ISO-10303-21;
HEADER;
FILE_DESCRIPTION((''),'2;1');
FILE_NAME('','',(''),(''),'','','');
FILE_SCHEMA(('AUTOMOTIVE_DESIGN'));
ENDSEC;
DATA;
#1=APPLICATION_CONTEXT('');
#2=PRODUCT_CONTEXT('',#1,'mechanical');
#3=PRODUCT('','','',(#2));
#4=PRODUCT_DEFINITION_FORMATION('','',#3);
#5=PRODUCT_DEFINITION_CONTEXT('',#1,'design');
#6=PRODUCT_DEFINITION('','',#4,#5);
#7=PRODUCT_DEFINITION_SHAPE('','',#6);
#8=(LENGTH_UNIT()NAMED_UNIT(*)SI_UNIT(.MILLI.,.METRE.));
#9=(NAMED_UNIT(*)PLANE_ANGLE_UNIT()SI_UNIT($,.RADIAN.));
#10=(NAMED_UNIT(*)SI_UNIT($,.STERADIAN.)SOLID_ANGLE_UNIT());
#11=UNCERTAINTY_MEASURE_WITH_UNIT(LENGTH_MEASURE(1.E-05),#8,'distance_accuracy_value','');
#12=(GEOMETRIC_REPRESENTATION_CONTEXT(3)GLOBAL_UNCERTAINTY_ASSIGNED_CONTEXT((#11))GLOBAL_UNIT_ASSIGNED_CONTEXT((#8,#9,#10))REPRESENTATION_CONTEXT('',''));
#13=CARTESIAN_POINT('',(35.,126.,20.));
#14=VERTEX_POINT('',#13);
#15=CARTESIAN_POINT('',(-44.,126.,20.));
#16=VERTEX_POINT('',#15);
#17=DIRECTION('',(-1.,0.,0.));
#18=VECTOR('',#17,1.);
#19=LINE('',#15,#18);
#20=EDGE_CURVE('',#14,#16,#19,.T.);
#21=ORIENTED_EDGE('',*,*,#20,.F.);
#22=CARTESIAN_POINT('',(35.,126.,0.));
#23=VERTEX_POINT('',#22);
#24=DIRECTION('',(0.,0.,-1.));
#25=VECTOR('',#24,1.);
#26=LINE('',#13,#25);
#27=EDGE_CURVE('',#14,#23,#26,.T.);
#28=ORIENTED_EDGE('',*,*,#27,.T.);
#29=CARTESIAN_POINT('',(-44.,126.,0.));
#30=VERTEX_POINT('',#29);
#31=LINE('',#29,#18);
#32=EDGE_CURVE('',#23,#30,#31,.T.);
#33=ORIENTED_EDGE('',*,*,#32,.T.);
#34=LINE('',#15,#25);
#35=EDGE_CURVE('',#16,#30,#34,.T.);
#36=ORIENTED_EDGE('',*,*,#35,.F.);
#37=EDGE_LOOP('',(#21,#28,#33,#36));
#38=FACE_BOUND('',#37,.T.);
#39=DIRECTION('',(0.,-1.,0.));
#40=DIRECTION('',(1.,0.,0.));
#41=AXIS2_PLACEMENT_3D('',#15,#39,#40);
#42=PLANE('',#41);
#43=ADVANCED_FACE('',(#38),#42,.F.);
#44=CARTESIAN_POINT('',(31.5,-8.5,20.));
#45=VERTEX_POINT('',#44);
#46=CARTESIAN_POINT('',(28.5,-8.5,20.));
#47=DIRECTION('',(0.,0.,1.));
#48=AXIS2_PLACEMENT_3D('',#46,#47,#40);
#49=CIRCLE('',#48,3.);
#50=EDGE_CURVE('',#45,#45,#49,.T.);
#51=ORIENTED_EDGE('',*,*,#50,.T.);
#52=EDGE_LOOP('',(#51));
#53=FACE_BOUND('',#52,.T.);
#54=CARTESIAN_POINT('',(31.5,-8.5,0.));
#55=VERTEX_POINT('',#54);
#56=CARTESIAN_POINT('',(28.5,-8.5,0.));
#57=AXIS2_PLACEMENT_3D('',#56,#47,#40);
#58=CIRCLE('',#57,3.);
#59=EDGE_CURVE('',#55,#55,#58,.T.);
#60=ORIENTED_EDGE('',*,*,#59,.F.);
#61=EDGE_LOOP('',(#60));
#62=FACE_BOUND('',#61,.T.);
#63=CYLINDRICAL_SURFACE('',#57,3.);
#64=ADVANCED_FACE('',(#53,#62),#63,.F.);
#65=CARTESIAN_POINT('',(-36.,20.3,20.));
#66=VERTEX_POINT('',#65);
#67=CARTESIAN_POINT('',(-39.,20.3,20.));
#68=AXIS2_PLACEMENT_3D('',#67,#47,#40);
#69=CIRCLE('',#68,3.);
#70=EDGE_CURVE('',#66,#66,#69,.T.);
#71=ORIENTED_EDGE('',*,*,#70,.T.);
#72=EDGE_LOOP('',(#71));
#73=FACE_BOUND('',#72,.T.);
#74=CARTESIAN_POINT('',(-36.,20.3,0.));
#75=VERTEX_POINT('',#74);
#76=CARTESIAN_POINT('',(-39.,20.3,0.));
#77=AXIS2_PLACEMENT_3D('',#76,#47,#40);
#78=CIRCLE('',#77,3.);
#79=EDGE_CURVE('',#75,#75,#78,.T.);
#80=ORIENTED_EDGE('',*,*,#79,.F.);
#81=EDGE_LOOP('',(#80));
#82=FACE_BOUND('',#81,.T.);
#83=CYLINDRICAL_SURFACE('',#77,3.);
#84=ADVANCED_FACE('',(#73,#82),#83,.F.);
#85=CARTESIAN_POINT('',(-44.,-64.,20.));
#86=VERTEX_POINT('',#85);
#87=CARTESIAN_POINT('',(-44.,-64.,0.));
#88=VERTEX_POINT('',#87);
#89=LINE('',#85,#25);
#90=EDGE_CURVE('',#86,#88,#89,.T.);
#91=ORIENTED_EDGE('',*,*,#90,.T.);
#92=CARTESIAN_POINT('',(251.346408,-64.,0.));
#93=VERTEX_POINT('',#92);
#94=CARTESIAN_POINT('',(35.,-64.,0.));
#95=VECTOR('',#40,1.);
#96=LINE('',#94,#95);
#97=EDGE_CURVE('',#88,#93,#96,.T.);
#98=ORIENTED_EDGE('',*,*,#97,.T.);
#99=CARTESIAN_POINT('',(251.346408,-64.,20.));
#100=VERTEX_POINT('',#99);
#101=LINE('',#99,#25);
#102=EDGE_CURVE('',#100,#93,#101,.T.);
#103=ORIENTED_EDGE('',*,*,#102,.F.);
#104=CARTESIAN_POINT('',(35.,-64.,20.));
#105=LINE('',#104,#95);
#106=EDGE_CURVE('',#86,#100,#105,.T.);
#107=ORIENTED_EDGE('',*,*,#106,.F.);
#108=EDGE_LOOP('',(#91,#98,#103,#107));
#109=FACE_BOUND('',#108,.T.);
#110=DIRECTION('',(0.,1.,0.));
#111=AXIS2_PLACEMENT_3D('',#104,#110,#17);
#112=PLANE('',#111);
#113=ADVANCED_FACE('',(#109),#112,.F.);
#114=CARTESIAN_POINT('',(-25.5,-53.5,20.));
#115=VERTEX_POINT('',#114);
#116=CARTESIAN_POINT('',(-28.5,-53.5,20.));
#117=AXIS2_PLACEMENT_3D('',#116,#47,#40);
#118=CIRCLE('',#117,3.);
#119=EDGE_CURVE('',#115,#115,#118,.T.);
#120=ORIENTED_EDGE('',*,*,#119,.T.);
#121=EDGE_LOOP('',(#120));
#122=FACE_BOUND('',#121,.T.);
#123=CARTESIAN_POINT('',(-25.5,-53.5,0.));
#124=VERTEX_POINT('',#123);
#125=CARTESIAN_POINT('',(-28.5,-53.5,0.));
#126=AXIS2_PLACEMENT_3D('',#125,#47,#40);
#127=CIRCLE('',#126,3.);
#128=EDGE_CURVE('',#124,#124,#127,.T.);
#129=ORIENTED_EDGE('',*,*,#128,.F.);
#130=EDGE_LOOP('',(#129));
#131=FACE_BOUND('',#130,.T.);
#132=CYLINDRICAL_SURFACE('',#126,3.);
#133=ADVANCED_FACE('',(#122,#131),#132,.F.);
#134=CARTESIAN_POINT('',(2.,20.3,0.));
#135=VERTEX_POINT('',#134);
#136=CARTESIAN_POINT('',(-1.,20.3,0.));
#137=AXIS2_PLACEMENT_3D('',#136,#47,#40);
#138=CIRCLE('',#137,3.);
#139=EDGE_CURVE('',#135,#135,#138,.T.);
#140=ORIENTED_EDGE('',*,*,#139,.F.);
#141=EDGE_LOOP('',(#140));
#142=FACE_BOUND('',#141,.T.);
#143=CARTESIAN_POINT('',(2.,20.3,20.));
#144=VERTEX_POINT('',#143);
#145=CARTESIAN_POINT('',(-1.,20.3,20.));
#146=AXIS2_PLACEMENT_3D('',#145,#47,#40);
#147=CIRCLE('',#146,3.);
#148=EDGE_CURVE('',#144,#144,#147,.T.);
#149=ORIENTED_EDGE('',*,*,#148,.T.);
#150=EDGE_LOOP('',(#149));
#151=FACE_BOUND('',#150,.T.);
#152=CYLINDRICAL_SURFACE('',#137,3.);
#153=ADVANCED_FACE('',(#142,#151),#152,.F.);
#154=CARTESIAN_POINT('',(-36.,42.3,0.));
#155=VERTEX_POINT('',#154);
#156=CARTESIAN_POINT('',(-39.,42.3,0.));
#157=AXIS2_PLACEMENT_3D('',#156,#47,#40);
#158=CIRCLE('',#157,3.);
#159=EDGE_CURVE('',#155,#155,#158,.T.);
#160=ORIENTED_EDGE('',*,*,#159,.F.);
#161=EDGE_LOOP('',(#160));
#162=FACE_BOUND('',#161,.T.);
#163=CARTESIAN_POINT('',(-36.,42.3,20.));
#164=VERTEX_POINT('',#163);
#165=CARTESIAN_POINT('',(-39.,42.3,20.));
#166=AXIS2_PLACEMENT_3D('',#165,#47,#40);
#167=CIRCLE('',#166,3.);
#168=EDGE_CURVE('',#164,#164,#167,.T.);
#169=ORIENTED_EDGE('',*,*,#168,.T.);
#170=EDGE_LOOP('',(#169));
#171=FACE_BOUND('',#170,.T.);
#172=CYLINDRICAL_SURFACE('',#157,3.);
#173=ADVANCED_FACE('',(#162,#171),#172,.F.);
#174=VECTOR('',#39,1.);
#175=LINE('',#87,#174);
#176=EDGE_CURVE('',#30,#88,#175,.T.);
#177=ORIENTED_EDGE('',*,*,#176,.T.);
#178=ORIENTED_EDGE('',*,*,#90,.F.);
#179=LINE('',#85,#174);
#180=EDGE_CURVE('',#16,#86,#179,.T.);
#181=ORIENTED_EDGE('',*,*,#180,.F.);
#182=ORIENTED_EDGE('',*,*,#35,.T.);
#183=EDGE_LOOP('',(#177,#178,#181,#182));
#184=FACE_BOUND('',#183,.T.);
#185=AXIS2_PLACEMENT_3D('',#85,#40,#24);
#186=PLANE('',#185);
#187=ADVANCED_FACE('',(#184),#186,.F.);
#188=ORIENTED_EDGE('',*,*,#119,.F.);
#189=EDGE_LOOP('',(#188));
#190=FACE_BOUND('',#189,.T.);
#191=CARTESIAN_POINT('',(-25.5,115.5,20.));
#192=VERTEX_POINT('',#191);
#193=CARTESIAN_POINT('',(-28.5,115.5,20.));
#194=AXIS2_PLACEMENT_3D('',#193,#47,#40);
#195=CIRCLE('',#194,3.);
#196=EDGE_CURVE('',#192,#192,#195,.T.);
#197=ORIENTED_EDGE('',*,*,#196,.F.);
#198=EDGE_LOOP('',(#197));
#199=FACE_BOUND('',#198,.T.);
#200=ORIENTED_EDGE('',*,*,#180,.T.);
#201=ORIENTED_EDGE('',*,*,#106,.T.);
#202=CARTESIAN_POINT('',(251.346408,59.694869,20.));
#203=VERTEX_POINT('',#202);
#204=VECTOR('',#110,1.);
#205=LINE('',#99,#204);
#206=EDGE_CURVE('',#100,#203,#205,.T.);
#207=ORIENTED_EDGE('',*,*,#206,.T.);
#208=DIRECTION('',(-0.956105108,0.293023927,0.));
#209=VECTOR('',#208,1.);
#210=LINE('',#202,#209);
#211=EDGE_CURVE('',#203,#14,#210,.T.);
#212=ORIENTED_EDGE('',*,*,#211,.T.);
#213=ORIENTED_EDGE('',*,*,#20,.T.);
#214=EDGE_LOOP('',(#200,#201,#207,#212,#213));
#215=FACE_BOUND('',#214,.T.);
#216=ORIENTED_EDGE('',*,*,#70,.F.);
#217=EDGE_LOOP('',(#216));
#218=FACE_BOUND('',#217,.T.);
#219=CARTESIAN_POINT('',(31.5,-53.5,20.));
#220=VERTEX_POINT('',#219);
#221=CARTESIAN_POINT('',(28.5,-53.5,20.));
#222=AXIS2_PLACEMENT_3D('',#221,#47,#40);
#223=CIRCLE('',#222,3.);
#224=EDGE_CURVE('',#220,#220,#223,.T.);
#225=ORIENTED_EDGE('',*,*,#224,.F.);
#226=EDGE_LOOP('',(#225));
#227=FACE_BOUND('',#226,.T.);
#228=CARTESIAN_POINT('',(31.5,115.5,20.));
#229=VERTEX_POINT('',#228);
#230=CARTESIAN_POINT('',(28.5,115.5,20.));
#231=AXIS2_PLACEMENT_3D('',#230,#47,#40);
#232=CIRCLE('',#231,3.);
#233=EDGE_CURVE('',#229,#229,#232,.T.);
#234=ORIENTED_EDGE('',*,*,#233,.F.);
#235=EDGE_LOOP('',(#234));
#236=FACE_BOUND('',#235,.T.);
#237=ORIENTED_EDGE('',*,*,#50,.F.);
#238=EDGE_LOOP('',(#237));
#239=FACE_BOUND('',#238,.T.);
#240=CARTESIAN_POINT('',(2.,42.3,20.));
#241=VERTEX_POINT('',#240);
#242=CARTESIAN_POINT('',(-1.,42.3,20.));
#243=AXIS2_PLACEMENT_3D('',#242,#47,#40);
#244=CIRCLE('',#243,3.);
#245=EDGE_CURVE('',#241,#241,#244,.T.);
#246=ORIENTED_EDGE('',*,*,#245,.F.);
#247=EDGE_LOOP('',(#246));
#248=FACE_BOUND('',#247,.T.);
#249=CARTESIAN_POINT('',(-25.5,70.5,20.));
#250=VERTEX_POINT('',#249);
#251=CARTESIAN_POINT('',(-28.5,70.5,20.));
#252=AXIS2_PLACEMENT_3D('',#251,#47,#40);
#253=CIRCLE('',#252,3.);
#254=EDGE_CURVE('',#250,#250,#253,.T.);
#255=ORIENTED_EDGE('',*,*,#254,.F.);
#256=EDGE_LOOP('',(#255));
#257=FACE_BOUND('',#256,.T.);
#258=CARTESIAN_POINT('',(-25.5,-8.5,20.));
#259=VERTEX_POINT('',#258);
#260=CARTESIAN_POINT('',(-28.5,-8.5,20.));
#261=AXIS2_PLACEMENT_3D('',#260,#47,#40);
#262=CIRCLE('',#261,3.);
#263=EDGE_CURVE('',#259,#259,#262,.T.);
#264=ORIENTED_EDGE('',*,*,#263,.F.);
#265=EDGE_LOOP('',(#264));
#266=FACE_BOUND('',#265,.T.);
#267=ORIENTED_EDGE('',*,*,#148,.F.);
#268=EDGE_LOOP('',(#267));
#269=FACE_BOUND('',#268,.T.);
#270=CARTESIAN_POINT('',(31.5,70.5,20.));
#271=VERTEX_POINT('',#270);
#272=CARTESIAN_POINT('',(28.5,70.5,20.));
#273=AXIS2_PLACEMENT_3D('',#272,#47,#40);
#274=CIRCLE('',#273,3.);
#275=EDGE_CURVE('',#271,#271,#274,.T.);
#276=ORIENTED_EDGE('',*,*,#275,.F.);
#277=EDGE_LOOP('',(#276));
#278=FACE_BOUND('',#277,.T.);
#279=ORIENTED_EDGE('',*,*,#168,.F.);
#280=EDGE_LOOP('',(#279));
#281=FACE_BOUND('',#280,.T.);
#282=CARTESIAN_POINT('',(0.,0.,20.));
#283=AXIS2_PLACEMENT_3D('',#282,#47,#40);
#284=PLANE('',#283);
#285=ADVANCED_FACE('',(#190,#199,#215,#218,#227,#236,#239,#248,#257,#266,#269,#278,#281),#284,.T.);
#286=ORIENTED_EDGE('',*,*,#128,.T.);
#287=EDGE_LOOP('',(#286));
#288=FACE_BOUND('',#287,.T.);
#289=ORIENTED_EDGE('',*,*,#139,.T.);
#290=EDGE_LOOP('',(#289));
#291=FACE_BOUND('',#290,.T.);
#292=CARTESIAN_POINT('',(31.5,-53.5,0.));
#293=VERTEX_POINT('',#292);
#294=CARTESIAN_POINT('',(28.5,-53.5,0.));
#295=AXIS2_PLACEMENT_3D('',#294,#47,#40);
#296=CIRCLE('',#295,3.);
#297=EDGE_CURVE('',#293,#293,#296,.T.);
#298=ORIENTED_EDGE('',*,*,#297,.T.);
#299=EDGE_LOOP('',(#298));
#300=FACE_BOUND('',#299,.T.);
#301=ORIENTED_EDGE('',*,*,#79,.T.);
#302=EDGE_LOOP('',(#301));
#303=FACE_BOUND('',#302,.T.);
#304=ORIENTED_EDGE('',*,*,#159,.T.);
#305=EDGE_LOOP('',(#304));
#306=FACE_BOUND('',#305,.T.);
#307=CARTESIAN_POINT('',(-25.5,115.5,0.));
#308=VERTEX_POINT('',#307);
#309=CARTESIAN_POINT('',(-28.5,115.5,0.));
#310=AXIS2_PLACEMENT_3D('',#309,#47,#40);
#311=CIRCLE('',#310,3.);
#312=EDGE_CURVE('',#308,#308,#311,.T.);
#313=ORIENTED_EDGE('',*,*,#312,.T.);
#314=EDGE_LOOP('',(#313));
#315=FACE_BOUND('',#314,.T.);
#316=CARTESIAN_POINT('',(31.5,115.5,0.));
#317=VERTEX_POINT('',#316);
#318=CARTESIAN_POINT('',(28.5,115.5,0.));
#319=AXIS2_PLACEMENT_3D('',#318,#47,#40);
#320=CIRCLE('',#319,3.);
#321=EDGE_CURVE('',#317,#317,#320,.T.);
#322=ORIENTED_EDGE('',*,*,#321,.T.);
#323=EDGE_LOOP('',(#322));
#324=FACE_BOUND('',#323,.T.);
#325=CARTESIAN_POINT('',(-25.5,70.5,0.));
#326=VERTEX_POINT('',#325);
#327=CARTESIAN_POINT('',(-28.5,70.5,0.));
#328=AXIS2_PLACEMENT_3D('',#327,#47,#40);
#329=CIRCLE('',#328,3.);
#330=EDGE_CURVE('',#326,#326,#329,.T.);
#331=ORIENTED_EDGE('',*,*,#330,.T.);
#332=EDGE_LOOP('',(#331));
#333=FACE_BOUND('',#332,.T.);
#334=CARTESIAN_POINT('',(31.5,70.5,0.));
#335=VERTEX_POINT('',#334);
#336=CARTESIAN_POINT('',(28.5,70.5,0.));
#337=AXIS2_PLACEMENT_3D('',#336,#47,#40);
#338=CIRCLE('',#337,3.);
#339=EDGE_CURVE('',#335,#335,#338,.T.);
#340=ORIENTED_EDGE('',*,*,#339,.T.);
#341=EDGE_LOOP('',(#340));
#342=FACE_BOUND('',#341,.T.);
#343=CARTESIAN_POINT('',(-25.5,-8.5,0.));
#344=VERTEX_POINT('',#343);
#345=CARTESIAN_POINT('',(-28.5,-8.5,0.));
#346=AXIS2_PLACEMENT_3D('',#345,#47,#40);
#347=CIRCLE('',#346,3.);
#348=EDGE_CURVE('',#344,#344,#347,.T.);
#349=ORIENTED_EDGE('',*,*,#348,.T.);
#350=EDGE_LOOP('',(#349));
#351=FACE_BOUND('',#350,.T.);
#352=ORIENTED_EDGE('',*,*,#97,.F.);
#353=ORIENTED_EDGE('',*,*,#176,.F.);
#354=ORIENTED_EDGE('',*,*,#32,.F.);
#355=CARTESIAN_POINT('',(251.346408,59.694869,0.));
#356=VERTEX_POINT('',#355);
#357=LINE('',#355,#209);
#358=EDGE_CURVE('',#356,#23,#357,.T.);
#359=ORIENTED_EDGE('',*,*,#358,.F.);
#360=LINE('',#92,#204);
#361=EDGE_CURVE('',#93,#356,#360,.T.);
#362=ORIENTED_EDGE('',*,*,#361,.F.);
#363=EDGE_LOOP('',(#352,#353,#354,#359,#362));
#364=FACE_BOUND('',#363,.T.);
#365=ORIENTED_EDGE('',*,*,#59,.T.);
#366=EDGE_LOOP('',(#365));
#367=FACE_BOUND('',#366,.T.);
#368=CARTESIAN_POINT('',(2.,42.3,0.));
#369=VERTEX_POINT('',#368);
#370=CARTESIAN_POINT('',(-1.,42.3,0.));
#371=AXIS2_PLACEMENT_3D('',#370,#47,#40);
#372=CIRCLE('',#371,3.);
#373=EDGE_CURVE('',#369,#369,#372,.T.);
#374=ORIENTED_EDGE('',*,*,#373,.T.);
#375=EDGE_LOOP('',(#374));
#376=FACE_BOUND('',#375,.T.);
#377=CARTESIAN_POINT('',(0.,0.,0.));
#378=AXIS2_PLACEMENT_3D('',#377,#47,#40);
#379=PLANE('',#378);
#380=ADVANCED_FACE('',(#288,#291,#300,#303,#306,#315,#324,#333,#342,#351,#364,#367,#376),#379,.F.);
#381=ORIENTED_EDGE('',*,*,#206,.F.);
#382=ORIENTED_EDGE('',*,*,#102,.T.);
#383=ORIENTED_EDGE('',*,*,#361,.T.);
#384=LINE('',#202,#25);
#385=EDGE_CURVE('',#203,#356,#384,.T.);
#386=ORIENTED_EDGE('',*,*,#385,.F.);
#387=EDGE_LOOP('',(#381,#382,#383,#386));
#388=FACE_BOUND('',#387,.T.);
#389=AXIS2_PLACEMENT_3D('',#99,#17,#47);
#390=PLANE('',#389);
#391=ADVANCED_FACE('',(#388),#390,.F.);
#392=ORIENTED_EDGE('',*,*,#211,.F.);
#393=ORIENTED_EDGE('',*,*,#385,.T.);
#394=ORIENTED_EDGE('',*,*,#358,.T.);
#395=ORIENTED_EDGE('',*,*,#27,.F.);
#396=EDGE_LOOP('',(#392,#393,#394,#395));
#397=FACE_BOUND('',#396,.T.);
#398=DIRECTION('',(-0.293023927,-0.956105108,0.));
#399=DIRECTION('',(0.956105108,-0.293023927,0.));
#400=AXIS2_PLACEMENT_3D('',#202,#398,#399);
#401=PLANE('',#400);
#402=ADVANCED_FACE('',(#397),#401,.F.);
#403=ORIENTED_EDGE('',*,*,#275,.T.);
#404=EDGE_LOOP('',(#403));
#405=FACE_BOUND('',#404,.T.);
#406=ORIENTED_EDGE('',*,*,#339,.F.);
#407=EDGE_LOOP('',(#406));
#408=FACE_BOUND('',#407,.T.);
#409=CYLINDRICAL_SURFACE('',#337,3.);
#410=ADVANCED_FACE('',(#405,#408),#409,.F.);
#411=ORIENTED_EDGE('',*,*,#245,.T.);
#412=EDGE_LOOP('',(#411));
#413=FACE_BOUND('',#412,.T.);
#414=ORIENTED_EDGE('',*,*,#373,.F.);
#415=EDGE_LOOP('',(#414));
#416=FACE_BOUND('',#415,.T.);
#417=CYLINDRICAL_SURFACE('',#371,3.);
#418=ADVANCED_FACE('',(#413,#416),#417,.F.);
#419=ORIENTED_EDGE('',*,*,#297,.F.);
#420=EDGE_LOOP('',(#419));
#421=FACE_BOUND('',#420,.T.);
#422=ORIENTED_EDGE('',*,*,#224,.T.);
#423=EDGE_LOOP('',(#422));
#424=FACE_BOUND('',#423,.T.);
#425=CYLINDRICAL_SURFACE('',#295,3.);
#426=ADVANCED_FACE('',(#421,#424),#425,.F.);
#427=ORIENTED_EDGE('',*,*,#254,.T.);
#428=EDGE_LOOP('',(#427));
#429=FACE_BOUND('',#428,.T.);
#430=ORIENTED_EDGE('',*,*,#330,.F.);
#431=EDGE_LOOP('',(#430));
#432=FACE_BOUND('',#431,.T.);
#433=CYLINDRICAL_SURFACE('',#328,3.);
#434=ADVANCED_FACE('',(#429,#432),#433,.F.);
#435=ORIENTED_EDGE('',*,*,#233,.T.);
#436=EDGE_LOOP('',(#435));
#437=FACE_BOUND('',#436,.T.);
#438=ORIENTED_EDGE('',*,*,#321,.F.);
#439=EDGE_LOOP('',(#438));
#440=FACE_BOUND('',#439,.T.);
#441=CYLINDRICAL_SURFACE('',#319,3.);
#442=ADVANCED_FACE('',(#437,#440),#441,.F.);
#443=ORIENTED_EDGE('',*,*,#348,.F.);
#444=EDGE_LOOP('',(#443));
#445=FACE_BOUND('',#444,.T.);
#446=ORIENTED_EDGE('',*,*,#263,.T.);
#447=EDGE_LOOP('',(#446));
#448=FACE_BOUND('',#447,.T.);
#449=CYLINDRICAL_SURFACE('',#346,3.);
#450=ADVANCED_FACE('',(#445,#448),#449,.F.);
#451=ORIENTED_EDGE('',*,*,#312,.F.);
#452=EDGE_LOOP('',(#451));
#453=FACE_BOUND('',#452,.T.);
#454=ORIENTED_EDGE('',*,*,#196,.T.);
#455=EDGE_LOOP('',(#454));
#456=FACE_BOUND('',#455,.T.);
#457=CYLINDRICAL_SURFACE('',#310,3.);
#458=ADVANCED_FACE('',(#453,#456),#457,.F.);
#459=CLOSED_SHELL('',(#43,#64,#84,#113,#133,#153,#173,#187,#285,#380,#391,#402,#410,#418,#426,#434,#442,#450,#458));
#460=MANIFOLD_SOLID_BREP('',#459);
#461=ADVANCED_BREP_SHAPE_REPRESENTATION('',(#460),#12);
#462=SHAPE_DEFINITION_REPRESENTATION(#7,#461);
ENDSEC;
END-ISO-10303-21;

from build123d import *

# Parameters (mm, degrees)
BOSS_EXTRUDE1_DEPTH      = 20
SCHIZZO6_R               = 3
TAGLIO_ESTRUSIONE1_DEPTH = 282.870567709


with BuildPart() as part:
    # Sketch1 → Boss-Extrude1 (new body)
    with BuildSketch(Plane.XY):
        Polygon((35, -64), (-43.999999997, -64), (-43.999999997, 126), (35, 126), (251.346408251, 59.694869443), (251.346408251, -64), align=None)
    extrude(amount=BOSS_EXTRUDE1_DEPTH)

    # Schizzo6 → Taglio-Estrusione1 (cut, through all)
    with BuildSketch(Plane.XY.offset(20)):
        with Locations((28.5, -53.5)):
            Circle(SCHIZZO6_R)
        with Locations((-28.5, -53.5)):
            Circle(SCHIZZO6_R)
        with Locations((-28.5, -8.5)):
            Circle(SCHIZZO6_R)
        with Locations((28.5, -8.5)):
            Circle(SCHIZZO6_R)
        with Locations((28.5, 115.5)):
            Circle(SCHIZZO6_R)
        with Locations((28.5, 70.5)):
            Circle(SCHIZZO6_R)
        with Locations((-28.5, 115.5)):
            Circle(SCHIZZO6_R)
        with Locations((-28.5, 70.5)):
            Circle(SCHIZZO6_R)
        with Locations((-38.999999997, 20.3)):
            Circle(SCHIZZO6_R)
        with Locations((-38.999999997, 42.3)):
            Circle(SCHIZZO6_R)
        with Locations((-0.999999997, 20.3)):
            Circle(SCHIZZO6_R)
        with Locations((-0.999999997, 42.3)):
            Circle(SCHIZZO6_R)
    extrude(amount=-TAGLIO_ESTRUSIONE1_DEPTH, mode=Mode.SUBTRACT)


solid = part.part
